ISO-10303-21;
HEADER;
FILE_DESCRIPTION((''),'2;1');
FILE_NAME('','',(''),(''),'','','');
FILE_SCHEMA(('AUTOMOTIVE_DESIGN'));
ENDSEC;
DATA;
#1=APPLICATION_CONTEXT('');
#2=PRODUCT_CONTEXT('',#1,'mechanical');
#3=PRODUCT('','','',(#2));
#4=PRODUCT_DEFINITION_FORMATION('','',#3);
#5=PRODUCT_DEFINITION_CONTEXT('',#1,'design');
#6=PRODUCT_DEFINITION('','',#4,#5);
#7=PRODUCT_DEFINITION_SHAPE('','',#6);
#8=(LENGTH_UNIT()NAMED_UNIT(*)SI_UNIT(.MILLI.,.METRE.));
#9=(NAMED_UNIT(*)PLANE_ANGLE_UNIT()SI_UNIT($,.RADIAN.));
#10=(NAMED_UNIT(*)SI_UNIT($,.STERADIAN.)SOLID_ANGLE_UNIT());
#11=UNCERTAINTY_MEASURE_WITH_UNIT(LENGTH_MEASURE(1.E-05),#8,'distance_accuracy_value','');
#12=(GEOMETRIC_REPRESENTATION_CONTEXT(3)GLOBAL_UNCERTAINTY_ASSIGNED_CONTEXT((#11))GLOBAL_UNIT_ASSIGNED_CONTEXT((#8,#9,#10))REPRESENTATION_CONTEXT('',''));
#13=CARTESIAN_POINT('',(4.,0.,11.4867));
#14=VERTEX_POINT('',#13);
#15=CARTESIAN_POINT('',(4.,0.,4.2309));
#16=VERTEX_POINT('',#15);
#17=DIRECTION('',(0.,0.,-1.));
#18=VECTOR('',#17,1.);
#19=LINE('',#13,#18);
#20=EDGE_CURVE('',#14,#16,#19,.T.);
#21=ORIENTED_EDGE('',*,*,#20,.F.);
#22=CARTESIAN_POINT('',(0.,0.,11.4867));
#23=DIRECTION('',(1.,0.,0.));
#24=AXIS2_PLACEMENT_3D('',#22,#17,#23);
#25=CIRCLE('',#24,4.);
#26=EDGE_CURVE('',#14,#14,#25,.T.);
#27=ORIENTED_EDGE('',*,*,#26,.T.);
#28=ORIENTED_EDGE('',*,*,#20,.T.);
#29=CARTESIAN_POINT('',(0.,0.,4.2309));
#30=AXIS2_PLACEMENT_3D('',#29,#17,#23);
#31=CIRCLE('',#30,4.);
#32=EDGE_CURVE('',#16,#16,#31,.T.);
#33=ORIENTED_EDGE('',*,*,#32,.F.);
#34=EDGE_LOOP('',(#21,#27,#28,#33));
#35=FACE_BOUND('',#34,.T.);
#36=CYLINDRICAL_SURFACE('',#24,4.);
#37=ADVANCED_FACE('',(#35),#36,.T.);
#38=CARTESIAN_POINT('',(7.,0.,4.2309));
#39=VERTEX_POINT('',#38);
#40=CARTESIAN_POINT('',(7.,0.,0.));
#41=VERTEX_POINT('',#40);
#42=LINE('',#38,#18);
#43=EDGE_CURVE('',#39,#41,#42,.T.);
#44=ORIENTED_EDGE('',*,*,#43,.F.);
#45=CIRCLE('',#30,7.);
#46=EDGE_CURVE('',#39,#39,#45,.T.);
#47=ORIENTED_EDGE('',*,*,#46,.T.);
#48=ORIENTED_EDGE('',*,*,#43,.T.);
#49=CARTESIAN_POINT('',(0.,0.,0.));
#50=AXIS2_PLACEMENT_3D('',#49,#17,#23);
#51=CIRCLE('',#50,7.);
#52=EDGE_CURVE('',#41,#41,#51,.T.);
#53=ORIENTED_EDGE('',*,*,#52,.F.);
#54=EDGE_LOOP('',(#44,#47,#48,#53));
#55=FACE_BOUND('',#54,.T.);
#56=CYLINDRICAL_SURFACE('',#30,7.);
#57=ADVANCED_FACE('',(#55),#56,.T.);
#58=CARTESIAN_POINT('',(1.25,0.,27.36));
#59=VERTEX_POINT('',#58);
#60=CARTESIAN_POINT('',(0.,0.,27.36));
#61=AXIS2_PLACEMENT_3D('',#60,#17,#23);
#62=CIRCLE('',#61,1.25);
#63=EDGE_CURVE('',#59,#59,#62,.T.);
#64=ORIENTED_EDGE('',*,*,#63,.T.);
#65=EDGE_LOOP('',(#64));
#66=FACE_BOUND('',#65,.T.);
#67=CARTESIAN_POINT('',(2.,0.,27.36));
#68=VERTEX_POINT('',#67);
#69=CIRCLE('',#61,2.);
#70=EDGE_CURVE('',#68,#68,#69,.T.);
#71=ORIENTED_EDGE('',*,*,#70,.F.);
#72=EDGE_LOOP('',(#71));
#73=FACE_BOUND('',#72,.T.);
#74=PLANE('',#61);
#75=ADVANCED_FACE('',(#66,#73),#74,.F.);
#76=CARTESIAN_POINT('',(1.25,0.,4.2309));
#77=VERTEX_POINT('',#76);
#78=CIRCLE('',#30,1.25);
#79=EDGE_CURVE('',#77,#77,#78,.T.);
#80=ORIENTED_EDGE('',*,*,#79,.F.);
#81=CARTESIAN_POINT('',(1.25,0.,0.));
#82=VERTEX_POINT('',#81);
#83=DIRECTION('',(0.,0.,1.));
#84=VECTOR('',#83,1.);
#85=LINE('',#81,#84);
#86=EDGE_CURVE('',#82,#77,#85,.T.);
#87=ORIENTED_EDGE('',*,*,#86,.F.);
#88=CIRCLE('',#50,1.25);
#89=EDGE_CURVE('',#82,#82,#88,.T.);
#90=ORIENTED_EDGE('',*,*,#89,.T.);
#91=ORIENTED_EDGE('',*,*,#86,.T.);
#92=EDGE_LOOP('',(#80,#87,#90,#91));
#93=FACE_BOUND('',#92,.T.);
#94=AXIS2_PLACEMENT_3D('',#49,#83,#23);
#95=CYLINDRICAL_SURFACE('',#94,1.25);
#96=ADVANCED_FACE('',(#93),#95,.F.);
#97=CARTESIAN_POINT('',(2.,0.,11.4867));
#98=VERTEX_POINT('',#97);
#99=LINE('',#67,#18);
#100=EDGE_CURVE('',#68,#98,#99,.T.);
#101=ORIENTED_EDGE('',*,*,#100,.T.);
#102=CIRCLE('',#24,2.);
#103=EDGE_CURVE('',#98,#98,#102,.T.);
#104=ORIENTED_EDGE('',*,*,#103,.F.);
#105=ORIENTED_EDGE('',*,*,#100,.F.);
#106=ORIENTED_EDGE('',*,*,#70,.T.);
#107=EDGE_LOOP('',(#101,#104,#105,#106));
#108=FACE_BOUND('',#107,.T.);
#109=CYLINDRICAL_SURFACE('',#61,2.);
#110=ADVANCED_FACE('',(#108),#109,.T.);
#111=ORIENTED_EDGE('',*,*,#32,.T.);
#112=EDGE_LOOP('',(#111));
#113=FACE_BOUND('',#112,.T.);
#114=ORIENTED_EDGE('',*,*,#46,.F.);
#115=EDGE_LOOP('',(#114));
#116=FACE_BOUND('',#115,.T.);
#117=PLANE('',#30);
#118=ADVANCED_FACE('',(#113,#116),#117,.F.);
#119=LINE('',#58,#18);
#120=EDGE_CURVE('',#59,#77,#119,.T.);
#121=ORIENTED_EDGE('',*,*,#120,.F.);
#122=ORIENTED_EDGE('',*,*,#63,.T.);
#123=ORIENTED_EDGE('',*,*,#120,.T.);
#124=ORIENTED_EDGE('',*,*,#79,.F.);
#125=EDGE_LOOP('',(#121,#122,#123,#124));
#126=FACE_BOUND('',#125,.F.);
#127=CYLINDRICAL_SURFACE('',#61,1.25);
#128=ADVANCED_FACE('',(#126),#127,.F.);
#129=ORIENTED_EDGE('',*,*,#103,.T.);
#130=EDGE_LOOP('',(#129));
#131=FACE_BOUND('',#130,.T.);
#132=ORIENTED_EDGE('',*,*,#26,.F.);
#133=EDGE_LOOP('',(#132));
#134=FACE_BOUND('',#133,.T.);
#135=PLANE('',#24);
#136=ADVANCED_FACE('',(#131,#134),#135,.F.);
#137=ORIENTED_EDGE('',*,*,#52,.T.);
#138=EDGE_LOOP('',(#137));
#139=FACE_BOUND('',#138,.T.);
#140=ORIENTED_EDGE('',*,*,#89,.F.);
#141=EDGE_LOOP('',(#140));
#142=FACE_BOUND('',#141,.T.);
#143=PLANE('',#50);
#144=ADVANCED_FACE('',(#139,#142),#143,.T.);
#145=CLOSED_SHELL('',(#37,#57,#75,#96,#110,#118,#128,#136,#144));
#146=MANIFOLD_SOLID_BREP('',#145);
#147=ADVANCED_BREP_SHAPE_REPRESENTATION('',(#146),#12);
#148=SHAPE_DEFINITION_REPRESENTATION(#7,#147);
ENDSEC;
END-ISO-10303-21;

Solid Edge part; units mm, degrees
sketch "Sketch1" plane through (0, 0, 0) normal (0, -1, 0) x (1, 0, 0)
  line L0 (2, 27.36) -> (2, 11.4867)
  line L1 (2, 11.4867) -> (4, 11.4867)
  line L2 (4, 11.4867) -> (4, 4.2309)
  line L3 (4, 4.2309) -> (7, 4.2309)
  line L4 (7, 4.2309) -> (7, 0)
  line L5 (7, 0) -> (1.25, 0)
  line L6 (1.25, 0) -> (1.25, 4.2309)
  line L7 (1.25, 27.36) -> (1.25, 4.2309)
  line L8 (1.25, 27.36) -> (2, 27.36)
  dimension "D1" = 2
  dimension "D2" = 1.25
  dimension "D3" = 4
  dimension "D4" = 7
revolve "RevolvedProtrusion1" add sketch "Sketch1" angle 360 about axis through (0, 0, 54) along (0, 0, -1)
cosmetic_thread "Thread1" size "M8"
